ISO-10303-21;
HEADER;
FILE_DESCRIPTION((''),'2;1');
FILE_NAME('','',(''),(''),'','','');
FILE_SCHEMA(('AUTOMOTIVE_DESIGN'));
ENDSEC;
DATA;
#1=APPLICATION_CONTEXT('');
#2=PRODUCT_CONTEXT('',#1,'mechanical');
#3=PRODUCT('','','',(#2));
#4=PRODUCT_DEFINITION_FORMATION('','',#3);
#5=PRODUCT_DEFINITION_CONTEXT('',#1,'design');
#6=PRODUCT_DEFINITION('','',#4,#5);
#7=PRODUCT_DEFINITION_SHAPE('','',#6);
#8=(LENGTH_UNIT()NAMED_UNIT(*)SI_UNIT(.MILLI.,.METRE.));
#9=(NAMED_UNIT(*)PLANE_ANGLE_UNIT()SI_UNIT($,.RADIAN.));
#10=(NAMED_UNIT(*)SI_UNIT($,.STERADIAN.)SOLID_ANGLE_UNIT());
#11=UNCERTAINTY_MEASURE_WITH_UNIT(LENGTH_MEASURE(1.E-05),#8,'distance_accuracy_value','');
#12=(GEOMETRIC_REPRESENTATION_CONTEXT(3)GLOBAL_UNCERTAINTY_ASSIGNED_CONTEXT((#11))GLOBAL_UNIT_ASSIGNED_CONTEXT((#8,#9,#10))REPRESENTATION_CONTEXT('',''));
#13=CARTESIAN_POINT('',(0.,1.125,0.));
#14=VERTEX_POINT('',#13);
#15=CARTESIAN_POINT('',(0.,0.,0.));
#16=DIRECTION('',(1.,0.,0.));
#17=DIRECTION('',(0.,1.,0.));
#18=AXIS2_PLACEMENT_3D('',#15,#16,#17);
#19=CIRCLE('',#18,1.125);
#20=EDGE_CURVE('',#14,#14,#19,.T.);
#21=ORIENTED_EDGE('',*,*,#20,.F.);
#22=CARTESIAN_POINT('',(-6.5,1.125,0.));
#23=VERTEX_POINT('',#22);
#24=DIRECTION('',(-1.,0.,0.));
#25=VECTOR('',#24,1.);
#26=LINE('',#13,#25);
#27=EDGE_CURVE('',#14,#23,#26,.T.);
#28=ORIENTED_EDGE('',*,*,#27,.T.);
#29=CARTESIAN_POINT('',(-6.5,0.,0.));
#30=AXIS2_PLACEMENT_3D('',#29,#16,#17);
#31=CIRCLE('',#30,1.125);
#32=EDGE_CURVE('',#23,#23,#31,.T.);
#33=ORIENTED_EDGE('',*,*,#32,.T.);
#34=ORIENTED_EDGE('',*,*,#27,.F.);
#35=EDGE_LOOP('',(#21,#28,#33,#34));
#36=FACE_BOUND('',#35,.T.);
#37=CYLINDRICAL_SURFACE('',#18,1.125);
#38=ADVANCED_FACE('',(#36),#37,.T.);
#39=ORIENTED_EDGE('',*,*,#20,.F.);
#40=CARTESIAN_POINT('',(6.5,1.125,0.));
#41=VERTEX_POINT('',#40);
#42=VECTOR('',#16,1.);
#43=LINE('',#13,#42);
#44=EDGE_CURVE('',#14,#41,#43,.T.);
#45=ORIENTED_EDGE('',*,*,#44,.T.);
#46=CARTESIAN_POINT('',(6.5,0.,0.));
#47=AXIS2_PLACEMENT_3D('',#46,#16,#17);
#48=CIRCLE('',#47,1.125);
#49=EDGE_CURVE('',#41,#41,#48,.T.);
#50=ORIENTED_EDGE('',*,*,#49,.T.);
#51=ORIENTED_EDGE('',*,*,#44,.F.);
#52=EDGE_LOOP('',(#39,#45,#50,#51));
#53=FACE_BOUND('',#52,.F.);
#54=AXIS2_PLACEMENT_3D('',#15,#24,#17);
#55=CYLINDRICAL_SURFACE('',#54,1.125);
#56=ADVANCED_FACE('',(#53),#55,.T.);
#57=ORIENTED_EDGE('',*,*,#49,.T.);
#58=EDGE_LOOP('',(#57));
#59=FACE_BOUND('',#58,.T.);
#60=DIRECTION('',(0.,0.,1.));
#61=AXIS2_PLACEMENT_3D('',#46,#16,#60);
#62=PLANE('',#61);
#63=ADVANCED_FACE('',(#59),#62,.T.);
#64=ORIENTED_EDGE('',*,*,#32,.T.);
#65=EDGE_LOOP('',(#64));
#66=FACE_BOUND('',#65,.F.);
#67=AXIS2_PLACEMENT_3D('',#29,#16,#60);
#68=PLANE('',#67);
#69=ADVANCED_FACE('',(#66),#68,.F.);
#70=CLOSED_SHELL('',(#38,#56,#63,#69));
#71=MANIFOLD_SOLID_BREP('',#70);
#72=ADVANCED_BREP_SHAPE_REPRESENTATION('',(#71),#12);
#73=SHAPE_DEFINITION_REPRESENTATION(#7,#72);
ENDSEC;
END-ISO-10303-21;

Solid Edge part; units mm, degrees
sketch "Sketch1" plane through (0, 0, 0) normal (1, 0, 0) x (0, 1, 0)
  circle A0 centre (0, 0) radius 1.125
extrude "Protrusion1" add sketch "Sketch1" along normal mid plane 13
